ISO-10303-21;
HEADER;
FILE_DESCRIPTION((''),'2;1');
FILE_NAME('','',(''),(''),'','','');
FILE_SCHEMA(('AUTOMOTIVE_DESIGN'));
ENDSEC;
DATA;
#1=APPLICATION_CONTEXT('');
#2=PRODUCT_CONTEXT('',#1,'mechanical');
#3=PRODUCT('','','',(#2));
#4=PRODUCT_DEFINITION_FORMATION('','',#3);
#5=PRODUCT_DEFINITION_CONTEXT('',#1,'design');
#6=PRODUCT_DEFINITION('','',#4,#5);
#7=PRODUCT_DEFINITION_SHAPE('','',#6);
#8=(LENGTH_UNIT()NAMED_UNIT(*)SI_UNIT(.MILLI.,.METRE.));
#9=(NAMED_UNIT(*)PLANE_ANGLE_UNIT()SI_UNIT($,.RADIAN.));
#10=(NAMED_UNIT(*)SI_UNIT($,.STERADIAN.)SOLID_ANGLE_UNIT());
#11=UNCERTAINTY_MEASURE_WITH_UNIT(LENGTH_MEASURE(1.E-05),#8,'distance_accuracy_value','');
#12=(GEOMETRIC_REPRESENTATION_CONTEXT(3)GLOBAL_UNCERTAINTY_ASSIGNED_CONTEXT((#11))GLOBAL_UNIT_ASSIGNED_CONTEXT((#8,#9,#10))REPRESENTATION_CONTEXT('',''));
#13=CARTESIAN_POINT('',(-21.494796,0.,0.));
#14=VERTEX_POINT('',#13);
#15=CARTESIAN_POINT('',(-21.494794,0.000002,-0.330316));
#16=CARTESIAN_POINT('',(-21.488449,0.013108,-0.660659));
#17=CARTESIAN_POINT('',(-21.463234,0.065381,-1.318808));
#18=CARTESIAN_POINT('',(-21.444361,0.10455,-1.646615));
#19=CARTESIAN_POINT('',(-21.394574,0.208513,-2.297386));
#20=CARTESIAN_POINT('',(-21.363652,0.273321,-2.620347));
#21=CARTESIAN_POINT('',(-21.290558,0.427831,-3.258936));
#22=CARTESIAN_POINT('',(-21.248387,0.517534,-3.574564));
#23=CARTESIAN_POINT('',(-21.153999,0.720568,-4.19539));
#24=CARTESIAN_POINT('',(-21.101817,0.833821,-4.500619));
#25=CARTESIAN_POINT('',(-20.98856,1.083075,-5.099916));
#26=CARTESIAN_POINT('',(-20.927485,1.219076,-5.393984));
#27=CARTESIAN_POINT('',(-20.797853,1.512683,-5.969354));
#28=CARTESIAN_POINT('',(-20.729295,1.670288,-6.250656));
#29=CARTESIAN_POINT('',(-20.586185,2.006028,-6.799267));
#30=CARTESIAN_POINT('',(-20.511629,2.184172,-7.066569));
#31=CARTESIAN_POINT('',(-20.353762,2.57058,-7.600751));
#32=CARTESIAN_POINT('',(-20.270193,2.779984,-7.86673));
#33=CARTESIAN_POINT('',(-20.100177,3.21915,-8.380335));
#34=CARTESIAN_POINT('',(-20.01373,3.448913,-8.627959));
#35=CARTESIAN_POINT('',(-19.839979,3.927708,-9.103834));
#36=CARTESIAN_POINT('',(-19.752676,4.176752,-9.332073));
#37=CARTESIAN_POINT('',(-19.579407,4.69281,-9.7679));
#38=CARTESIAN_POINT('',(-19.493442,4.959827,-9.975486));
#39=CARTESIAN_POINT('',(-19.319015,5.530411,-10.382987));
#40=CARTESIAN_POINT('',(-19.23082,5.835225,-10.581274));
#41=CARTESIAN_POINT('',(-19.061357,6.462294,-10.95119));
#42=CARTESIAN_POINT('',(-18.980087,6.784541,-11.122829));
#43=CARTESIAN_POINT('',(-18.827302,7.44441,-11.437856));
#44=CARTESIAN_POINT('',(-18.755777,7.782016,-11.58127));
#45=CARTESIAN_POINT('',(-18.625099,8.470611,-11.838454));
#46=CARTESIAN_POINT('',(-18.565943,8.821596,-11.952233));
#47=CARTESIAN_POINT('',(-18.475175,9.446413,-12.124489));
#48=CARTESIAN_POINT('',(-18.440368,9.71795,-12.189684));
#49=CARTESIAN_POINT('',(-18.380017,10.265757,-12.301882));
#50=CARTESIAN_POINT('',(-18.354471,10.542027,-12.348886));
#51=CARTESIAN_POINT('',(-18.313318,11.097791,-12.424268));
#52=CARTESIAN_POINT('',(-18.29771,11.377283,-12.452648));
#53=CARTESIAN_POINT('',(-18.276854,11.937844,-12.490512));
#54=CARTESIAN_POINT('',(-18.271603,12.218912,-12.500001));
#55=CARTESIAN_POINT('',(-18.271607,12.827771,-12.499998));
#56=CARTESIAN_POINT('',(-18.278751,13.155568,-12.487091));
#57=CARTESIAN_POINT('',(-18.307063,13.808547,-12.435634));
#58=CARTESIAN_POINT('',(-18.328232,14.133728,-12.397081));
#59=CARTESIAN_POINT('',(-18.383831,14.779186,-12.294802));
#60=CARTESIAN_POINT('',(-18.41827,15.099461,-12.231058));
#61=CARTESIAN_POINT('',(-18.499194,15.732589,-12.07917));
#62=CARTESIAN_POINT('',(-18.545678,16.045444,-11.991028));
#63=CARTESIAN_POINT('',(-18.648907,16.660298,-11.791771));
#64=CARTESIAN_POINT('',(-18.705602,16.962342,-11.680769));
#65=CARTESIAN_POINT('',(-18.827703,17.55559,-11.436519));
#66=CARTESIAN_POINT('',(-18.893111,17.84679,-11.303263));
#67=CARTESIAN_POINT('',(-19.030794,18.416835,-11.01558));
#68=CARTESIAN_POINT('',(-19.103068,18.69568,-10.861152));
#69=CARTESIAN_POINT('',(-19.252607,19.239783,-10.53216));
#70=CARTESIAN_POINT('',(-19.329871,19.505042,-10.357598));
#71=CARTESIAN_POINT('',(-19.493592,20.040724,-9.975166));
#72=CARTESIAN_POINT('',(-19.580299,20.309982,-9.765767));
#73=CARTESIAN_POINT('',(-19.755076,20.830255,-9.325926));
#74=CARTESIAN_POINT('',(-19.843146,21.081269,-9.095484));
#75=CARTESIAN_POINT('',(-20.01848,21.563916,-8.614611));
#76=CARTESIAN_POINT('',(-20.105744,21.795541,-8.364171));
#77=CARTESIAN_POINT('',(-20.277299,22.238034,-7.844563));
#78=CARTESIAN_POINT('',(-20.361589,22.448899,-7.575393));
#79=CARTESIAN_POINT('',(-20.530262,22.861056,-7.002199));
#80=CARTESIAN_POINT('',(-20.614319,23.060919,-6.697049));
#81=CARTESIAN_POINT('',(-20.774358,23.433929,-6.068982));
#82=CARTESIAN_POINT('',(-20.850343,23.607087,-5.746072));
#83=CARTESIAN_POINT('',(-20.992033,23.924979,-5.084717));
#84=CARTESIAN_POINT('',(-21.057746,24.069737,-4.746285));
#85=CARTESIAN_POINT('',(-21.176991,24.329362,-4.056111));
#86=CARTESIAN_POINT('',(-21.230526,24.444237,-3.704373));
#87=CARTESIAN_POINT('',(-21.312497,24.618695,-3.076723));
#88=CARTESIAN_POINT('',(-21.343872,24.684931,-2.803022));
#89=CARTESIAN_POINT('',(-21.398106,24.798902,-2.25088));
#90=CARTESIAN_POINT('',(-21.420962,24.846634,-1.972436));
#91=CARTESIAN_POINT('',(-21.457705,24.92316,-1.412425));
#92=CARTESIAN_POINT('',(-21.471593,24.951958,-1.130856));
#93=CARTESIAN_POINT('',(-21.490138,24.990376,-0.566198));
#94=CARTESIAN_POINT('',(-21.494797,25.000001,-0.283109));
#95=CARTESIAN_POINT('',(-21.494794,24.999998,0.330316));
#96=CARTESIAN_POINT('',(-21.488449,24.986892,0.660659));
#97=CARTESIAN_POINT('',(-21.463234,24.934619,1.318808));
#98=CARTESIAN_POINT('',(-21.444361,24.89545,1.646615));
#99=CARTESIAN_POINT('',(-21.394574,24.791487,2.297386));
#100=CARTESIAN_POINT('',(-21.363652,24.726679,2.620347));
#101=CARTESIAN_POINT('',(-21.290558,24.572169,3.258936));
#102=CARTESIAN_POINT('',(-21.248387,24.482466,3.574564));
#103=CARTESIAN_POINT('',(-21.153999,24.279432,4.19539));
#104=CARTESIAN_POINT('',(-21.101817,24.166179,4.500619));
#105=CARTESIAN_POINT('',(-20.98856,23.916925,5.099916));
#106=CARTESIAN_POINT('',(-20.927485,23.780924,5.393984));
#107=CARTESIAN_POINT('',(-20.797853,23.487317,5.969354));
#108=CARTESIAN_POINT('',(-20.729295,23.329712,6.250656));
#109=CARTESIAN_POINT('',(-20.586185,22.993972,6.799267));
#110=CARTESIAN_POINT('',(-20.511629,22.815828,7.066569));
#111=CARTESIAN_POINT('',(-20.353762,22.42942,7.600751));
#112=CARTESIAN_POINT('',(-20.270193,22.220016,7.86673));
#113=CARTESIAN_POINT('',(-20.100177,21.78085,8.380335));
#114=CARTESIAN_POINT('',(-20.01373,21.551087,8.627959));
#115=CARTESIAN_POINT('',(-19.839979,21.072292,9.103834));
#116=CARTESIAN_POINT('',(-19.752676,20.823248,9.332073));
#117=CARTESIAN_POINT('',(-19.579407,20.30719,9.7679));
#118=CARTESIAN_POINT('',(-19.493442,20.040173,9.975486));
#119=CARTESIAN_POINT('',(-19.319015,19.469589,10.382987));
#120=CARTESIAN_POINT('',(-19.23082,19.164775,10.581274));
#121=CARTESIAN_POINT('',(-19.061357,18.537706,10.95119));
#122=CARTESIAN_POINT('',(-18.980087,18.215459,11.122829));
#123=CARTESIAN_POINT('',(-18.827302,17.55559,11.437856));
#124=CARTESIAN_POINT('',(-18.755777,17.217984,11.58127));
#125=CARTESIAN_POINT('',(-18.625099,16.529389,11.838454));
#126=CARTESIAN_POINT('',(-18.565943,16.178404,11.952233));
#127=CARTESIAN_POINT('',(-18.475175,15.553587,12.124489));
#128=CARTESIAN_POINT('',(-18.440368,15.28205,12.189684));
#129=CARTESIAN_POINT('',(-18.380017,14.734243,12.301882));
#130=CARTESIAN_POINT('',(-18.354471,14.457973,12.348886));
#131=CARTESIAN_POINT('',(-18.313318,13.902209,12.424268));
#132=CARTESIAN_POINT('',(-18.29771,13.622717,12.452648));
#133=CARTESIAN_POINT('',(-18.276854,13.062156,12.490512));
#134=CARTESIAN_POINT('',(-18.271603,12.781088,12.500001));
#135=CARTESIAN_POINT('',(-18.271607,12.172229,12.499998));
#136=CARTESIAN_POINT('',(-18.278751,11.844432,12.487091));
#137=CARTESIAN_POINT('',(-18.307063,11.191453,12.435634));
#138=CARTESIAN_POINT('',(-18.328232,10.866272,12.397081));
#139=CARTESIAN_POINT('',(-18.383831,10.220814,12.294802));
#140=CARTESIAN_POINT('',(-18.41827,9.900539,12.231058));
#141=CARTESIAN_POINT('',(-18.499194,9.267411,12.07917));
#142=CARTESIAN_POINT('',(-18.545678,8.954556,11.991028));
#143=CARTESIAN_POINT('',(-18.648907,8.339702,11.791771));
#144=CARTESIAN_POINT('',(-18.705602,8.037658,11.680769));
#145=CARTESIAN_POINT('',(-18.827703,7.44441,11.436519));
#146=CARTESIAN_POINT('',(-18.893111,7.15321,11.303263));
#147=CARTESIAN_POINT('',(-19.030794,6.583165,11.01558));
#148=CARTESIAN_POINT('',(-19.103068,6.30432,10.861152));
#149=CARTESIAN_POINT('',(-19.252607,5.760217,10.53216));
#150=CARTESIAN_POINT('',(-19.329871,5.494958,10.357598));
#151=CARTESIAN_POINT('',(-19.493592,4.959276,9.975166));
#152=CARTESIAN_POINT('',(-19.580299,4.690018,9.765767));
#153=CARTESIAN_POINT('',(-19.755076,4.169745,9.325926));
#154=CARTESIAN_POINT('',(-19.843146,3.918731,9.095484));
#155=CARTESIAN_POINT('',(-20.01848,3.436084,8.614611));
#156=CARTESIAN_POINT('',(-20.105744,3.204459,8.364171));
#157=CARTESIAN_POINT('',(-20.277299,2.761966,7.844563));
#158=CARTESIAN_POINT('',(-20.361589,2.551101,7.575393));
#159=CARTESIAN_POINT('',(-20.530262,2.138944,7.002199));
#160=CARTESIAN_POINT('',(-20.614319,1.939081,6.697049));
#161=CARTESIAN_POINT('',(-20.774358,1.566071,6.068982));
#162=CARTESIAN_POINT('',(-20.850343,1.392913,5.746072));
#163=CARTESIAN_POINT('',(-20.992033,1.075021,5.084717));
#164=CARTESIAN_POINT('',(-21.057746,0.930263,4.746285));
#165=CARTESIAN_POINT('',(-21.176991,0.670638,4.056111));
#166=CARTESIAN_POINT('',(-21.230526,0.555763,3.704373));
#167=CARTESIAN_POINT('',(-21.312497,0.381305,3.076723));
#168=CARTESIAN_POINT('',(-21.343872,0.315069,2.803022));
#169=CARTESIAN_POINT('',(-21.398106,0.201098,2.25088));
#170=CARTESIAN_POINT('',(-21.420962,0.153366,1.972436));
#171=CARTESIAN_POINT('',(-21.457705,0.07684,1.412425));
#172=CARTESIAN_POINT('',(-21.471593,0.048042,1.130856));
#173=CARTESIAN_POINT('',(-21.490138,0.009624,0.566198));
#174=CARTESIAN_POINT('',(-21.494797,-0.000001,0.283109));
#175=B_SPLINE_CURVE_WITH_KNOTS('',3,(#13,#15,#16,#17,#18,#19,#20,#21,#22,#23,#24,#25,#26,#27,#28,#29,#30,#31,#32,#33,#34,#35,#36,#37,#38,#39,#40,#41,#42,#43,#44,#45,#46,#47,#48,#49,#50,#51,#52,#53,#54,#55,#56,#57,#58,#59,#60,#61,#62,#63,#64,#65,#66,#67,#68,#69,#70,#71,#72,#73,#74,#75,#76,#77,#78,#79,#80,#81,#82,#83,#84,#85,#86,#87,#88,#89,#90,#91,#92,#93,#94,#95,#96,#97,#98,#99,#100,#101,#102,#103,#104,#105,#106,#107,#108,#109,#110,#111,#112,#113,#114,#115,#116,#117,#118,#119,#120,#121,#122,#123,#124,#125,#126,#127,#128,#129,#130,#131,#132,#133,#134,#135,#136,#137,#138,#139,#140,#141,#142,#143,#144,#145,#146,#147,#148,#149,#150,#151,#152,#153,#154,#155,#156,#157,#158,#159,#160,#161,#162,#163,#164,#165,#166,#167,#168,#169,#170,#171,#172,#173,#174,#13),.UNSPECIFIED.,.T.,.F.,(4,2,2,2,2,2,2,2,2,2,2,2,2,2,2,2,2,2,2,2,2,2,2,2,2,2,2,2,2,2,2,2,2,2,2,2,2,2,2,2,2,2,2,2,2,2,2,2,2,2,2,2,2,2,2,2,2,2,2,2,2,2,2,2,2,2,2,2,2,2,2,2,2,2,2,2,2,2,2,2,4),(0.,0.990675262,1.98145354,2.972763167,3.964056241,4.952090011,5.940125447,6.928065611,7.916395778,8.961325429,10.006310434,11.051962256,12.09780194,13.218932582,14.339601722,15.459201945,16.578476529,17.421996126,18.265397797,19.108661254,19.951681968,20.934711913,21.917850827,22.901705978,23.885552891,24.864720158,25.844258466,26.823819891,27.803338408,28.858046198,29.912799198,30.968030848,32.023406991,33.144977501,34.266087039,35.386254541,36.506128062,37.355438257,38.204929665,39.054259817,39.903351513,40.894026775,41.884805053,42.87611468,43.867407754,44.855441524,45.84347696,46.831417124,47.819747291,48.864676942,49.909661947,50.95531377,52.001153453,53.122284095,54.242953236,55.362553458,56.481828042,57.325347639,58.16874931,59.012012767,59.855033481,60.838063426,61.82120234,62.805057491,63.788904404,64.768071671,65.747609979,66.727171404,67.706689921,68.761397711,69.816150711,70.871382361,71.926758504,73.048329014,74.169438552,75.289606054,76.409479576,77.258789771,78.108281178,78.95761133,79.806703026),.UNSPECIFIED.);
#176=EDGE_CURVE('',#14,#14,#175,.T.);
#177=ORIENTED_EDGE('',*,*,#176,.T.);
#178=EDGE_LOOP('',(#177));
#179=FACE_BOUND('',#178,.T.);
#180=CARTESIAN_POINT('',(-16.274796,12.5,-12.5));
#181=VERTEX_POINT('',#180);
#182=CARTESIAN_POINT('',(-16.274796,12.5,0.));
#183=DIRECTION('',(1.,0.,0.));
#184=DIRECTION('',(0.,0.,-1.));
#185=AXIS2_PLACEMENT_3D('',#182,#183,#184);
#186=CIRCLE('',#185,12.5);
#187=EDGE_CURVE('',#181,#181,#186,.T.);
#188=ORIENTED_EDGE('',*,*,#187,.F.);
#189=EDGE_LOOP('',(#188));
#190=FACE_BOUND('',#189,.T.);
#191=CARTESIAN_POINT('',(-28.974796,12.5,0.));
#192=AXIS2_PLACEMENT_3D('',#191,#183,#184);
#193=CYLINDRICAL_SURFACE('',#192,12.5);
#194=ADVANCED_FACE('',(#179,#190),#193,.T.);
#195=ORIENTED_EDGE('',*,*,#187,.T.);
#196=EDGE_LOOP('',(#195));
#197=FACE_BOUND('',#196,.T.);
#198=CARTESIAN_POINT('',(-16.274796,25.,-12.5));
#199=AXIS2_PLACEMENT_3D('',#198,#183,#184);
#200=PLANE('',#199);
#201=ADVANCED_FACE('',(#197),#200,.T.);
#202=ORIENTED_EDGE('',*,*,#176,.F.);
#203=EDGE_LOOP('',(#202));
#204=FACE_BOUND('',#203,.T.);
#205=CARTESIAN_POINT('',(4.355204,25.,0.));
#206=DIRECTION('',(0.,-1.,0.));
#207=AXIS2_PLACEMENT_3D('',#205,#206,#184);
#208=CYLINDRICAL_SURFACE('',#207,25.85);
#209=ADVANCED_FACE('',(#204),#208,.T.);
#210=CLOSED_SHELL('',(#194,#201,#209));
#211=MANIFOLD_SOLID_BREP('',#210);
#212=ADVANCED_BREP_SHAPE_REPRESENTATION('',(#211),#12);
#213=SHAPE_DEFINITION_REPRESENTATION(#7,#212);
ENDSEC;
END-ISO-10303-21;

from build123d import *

# Parameters (mm, degrees)
EXTRUDE_1_DEPTH     = 25
CUT_EXTRUDE_8_DEPTH = 12.7


with BuildPart() as part:
    # 草图1 → 凸台-拉伸1 (new body)
    with BuildSketch(Plane(origin=(0, 0, 0), x_dir=(1, 0, 0), z_dir=(0, 1, 0))):
        with BuildLine():
            Line((-18.271604985, 12.5), (-16.274795665, 12.5))
            Line((-16.274795665, 12.5), (-16.274795665, -12.5))
            Line((-16.274795665, -12.5), (-18.271604985, -12.5))
            ThreePointArc((-18.271604985, -12.5), (-21.494795665, 0), (-18.271604985, 12.5))
        make_face()
    extrude(amount=EXTRUDE_1_DEPTH)

    # 草图2 → 切除-拉伸8 (cut)
    with BuildSketch(Plane(origin=(-16.274795665, 0, 0), x_dir=(0, 0, -1), z_dir=(1, 0, 0))):
        with BuildLine():
            Line((-12.5, 25), (-12.5, 12.5))
            ThreePointArc((-12.5, 12.5), (-8.838834765, 21.338834765), (0, 25))
            Line((0, 25), (-12.5, 25))
        make_face()
        with BuildLine():
            ThreePointArc((0, 25), (8.838834765, 21.338834765), (12.5, 12.5))
            Line((12.5, 12.5), (12.5, 25))
            Line((12.5, 25), (0, 25))
        make_face()
        with BuildLine():
            ThreePointArc((12.5, 12.5), (8.838834765, 3.661165235), (0, 0))
            Line((0, 0), (12.5, 0))
            Line((12.5, 0), (12.5, 12.5))
        make_face()
        with BuildLine():
            Line((-12.5, 12.5), (-12.5, 0))
            Line((-12.5, 0), (0, 0))
            ThreePointArc((0, 0), (-8.838834765, 3.661165235), (-12.5, 12.5))
        make_face()
    extrude(amount=-CUT_EXTRUDE_8_DEPTH, mode=Mode.SUBTRACT)


solid = part.part
